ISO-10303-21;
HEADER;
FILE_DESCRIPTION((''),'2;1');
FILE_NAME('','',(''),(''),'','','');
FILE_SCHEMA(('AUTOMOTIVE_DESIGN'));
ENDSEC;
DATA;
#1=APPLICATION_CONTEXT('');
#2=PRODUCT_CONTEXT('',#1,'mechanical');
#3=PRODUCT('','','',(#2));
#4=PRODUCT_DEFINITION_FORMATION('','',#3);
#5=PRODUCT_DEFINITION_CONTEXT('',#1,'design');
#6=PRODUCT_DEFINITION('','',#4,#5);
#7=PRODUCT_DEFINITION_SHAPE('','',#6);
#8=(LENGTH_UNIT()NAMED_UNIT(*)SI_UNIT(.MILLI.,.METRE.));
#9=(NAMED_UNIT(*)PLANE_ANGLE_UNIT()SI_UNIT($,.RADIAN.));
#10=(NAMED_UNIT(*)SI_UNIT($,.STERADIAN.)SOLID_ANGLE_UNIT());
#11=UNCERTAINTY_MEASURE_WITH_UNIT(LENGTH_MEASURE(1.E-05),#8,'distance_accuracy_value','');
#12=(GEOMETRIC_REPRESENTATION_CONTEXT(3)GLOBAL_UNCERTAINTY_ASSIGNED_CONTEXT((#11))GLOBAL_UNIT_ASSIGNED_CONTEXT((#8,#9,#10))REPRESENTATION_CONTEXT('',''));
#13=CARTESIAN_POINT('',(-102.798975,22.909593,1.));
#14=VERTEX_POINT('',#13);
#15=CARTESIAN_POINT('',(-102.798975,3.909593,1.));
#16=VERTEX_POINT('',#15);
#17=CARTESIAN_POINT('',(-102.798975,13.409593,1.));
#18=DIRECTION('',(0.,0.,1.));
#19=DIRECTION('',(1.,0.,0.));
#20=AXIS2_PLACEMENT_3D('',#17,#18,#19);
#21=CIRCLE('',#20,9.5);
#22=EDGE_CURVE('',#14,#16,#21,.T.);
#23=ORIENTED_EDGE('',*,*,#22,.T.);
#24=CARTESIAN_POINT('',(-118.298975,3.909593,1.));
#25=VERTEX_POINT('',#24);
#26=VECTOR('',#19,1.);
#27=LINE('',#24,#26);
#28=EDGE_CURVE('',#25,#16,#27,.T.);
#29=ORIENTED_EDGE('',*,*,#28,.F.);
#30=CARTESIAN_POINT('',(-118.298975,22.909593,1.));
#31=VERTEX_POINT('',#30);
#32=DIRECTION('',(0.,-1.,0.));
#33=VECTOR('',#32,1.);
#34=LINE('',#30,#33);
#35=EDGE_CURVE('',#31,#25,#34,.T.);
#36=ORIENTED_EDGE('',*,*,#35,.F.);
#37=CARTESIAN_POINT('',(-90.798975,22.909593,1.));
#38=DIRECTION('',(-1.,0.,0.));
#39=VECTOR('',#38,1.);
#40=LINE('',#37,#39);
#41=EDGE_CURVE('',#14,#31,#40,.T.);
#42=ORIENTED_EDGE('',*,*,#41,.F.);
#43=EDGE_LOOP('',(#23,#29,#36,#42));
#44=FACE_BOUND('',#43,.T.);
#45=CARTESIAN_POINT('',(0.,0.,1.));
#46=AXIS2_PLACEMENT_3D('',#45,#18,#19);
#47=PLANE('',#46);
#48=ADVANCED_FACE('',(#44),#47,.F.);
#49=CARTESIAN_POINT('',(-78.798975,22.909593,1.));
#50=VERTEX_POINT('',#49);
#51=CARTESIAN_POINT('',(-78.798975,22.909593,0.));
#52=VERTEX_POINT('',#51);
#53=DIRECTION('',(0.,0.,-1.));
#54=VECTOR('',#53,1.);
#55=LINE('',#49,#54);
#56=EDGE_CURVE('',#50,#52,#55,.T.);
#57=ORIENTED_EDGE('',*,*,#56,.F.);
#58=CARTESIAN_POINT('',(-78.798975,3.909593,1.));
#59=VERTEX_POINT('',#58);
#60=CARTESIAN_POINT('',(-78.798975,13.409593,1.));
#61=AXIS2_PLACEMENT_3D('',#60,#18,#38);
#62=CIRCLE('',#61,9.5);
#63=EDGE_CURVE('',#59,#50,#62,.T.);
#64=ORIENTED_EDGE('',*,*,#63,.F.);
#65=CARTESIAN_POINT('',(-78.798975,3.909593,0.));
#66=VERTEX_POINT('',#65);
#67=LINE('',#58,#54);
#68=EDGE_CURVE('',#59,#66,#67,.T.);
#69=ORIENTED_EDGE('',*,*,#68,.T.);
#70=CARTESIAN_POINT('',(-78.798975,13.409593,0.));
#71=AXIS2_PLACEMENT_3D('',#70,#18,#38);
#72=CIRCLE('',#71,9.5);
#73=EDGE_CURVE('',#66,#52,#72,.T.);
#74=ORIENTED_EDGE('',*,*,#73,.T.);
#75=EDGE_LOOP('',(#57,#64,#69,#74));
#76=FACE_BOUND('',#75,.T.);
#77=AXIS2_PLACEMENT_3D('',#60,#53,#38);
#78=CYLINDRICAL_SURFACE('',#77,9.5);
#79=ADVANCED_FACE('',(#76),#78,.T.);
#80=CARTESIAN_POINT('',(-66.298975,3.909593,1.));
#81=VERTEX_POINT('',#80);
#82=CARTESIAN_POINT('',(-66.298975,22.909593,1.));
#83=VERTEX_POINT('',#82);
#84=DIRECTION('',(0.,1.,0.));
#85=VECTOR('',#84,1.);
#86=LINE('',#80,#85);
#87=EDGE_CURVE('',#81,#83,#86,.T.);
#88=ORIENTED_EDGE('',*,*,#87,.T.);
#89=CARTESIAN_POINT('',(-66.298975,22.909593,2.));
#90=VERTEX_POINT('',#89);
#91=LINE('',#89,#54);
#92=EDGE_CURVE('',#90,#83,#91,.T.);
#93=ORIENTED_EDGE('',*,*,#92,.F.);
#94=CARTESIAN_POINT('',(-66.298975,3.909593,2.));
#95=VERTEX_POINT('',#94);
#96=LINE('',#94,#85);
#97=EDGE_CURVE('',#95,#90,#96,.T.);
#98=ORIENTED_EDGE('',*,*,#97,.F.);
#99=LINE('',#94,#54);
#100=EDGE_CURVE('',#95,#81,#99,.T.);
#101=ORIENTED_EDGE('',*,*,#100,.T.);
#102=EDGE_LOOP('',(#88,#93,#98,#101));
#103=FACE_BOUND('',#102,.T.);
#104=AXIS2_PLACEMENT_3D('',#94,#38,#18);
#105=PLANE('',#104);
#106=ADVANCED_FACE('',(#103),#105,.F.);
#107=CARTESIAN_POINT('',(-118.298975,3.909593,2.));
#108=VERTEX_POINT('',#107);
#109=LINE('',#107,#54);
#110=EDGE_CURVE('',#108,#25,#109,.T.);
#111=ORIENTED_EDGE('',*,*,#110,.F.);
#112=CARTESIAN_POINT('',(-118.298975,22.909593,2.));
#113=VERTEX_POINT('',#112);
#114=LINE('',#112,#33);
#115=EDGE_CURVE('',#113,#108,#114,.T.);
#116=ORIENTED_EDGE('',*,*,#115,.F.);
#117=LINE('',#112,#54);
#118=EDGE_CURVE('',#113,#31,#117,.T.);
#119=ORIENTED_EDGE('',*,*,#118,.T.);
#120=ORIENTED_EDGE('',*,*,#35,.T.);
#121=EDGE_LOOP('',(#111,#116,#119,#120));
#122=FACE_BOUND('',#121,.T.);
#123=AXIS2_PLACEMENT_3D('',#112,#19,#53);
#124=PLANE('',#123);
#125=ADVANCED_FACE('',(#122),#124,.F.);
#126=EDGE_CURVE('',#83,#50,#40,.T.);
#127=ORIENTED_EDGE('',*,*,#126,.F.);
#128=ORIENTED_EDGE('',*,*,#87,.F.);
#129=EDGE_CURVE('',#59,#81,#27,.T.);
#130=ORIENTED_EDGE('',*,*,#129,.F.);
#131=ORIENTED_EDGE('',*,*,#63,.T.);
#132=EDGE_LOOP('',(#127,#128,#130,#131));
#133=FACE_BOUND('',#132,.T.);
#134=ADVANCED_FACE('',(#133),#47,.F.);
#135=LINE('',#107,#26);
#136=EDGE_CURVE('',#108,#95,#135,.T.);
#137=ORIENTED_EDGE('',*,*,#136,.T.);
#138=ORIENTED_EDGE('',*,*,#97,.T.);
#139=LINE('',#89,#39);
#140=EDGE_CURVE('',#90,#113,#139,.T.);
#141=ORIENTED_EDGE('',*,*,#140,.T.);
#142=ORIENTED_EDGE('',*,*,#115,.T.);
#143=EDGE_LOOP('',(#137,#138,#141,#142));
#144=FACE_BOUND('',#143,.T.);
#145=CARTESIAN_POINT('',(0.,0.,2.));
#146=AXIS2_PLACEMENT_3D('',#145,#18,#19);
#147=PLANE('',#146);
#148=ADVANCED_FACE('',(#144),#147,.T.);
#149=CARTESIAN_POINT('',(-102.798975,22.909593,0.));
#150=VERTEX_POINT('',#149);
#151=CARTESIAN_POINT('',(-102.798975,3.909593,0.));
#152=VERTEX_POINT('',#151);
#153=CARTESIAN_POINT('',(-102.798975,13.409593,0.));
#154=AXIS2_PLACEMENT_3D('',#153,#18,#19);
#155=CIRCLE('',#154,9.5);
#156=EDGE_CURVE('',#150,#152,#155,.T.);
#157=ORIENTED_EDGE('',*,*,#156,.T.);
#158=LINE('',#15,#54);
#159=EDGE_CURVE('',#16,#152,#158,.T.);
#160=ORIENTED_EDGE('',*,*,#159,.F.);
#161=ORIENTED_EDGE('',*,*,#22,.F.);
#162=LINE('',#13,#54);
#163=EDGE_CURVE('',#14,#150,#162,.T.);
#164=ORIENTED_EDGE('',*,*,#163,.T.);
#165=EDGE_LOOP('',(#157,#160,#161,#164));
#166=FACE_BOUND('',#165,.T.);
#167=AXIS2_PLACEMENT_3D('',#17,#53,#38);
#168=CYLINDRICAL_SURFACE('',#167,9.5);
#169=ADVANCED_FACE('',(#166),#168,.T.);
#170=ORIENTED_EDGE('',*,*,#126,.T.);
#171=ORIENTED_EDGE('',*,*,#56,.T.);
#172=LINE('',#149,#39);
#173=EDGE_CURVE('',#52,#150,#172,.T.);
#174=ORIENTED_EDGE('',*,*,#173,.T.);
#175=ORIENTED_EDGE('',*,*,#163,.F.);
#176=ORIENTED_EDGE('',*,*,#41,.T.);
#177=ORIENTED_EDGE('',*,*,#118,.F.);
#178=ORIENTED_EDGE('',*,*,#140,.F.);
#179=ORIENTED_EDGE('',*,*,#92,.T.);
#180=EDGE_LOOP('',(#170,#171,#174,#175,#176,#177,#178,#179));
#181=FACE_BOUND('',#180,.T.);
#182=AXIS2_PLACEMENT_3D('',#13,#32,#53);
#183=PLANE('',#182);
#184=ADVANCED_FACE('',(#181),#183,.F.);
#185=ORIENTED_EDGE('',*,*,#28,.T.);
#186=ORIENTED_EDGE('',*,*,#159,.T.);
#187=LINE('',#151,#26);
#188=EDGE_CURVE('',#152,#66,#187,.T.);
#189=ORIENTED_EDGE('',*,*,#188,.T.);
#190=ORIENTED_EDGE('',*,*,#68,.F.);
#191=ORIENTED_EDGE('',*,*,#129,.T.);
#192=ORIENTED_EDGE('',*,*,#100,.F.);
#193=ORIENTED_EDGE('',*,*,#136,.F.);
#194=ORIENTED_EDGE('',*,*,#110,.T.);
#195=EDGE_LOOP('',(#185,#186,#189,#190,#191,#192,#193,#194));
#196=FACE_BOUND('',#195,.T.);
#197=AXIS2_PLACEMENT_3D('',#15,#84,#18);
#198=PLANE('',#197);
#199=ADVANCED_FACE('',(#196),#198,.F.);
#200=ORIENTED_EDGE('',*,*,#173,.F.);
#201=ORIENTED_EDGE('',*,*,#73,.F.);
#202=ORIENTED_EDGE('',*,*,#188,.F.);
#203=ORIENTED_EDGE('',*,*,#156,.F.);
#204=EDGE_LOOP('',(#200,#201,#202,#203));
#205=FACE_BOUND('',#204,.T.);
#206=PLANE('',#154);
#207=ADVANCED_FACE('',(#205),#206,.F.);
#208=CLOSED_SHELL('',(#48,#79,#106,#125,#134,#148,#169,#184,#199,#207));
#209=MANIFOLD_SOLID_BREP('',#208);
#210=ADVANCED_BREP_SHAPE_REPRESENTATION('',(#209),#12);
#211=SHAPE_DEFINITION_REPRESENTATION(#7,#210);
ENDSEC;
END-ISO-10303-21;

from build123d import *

# Parameters (mm, degrees)
SALIENTE_EXTRUIR1_DEPTH = 1
SALIENTE_EXTRUIR2_DEPTH = 1


with BuildPart() as part:
    # Croquis1 → Saliente-Extruir1 (new body)
    with BuildSketch(Plane.XY):
        with BuildLine():
            Line((-102.798975089, 22.90959253), (-78.798975089, 22.90959253))
            ThreePointArc((-78.798975089, 22.90959253), (-69.298975089, 13.40959253), (-78.798975089, 3.90959253))
            Line((-78.798975089, 3.90959253), (-102.798975089, 3.90959253))
            ThreePointArc((-102.798975089, 3.90959253), (-112.298975089, 13.40959253), (-102.798975089, 22.90959253))
        make_face()
    extrude(amount=SALIENTE_EXTRUIR1_DEPTH)

    # Croquis2 → Saliente-Extruir2 (add)
    with BuildSketch(Plane.XY.offset(1)):
        Polygon((-90.798975089, 22.90959253), (-118.298975089, 22.90959253), (-118.298975089, 3.90959253), (-66.298975089, 3.90959253), (-66.298975089, 22.90959253), align=None)
    extrude(amount=SALIENTE_EXTRUIR2_DEPTH)


solid = part.part
